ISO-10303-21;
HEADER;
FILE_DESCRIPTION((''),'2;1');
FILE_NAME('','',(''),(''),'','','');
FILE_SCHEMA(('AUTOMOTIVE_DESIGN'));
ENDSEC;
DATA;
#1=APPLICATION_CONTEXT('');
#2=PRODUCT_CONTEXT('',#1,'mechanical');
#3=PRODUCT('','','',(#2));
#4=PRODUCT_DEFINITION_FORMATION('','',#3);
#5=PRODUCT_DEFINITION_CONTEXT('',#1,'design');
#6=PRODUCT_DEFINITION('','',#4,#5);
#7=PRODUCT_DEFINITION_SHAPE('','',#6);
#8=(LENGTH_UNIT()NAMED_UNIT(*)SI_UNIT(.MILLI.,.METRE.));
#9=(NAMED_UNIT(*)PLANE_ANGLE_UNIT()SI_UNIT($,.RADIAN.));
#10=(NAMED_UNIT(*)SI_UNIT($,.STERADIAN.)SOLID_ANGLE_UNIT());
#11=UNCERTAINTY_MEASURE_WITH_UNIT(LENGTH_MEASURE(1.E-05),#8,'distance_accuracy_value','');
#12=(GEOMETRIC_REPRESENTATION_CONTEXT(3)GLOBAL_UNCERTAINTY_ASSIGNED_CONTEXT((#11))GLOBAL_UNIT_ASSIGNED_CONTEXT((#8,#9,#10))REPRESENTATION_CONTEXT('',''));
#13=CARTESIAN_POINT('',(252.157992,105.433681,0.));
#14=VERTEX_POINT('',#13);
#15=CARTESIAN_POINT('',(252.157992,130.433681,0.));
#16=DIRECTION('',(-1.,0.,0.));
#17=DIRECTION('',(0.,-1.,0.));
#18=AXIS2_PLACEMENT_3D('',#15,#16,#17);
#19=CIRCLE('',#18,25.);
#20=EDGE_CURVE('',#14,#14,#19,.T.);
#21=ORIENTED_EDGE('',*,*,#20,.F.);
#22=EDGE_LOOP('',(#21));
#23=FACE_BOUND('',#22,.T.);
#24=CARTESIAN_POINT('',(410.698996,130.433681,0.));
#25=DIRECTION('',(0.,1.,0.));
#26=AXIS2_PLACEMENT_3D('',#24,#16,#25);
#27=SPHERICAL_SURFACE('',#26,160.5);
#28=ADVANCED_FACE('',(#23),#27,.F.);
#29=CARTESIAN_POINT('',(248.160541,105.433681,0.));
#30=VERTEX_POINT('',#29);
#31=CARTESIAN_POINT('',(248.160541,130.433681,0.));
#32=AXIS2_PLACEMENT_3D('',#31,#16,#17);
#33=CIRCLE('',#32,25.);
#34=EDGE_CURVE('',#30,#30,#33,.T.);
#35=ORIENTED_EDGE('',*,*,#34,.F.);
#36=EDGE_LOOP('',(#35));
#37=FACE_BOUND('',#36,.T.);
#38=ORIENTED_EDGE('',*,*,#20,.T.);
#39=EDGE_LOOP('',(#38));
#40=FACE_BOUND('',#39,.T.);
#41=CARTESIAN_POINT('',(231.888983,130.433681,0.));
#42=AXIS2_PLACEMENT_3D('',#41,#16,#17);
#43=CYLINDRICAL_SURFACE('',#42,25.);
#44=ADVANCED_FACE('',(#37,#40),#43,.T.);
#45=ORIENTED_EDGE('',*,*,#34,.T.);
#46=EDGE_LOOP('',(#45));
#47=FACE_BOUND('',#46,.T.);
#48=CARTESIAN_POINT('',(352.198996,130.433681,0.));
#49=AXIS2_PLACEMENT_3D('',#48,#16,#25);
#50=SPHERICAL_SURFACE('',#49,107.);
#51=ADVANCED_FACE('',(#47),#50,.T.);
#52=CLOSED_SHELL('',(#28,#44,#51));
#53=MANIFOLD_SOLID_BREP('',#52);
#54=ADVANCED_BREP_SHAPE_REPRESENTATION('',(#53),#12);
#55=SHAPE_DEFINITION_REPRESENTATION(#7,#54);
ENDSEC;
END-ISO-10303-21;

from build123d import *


with BuildPart() as part:
    # 草图1 → 旋转1 (revolve)
    with BuildSketch(Plane.XY):
        with BuildLine():
            Line((248.160541243, 155.433680942), (252.157991512, 155.433680942))
            ThreePointArc((252.157991512, 155.433680942), (250.689494129, 142.971998858), (250.198995672, 130.433680942))
            Line((250.198995672, 130.433680942), (245.198995672, 130.433680942))
            ThreePointArc((245.198995672, 130.433680942), (245.941961495, 143.021082899), (248.160541243, 155.433680942))
        make_face()
    revolve(axis=Axis((231.888982596, 130.433680942, 0), (1, 0, 0)))


solid = part.part
